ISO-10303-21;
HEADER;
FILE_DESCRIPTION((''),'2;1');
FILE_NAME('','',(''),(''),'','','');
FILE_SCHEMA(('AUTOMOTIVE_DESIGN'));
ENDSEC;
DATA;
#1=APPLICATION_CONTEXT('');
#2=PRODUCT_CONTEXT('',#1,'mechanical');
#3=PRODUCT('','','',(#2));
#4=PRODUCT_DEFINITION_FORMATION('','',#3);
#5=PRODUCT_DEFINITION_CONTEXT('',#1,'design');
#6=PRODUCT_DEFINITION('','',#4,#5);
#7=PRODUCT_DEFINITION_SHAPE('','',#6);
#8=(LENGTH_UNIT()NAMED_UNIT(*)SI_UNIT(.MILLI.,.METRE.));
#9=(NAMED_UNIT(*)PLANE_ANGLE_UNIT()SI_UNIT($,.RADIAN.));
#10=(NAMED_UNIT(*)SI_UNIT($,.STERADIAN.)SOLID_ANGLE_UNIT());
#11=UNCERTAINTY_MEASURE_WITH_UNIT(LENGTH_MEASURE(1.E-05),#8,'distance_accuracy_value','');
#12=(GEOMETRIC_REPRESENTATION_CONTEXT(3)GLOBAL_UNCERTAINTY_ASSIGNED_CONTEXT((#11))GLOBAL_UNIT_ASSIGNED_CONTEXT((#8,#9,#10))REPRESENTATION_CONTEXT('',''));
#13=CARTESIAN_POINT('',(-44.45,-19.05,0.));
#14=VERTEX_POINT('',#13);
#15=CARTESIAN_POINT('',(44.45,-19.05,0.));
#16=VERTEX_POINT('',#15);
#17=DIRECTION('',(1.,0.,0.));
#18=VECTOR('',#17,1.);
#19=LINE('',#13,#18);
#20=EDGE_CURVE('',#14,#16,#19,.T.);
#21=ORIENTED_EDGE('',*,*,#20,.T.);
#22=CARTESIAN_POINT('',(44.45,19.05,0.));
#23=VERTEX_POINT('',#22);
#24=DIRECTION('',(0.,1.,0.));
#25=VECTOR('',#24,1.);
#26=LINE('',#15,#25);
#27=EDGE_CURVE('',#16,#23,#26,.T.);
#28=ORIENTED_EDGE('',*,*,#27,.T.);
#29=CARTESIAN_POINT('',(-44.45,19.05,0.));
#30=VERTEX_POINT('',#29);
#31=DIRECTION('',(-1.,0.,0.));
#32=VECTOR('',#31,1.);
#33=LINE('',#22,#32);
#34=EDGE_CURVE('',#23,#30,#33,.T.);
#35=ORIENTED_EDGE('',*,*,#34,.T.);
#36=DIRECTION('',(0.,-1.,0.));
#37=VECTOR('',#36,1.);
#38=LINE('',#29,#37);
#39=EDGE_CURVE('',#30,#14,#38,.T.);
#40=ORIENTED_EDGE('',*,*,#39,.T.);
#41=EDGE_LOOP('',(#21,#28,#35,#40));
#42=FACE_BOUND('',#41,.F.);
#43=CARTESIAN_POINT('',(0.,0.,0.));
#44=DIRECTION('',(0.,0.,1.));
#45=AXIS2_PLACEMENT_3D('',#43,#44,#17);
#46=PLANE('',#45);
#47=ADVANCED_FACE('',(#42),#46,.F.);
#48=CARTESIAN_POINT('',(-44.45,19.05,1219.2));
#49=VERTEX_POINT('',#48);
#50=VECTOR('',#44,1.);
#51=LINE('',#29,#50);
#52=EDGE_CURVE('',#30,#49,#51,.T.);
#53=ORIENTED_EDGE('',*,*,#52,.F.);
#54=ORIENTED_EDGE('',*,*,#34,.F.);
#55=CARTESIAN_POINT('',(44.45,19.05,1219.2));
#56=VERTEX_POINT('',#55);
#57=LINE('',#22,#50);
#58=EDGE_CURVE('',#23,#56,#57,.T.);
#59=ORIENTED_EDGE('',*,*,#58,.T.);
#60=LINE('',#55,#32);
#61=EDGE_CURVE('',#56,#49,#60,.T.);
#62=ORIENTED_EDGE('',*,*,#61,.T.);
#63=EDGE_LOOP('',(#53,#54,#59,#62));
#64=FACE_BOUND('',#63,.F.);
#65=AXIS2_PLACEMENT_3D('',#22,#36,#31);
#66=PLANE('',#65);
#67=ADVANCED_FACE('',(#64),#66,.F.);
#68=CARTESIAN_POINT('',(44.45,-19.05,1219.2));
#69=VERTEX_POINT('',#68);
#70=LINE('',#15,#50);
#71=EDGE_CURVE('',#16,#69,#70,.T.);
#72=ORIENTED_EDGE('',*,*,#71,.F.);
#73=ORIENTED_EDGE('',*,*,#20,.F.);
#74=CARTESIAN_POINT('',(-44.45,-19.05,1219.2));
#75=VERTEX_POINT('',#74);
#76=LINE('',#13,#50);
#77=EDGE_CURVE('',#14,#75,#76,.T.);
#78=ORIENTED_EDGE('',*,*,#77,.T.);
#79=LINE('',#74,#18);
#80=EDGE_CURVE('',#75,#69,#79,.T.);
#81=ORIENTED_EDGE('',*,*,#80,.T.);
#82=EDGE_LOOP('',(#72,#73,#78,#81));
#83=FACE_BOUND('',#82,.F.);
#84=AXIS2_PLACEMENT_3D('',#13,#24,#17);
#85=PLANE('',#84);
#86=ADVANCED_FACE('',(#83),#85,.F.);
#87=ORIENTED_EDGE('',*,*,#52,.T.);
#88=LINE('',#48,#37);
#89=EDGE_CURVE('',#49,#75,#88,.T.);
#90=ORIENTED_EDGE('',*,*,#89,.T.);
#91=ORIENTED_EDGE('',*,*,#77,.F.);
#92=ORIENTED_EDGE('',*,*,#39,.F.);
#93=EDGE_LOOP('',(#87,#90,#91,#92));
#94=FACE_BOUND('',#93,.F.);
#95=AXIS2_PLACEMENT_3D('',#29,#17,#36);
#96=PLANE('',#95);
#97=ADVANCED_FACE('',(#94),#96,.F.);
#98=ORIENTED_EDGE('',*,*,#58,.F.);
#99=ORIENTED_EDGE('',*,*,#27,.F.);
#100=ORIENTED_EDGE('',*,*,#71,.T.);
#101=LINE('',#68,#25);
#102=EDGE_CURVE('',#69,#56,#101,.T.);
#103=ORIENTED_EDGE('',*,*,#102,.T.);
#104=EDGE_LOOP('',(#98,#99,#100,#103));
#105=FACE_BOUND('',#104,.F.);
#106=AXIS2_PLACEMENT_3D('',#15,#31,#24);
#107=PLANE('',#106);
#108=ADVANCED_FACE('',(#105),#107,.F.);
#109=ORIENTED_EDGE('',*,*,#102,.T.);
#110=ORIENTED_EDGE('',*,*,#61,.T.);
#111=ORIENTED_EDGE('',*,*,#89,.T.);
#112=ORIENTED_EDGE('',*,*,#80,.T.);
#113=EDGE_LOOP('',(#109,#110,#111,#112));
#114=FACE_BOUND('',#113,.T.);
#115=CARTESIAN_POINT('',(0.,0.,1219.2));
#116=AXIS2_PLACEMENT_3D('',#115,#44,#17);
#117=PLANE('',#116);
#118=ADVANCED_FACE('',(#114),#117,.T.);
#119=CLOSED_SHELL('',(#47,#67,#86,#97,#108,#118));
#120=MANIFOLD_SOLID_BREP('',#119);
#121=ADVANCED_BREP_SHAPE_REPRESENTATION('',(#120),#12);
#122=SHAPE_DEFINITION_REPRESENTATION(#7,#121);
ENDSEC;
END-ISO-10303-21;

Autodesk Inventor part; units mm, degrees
ref_plane "YZ Plane" through (0, 0, 0) normal (1, 0, 0) x (0, 1, 0)
ref_plane "XZ Plane" through (0, 0, 0) normal (0, 1, 0) x (-1, 0, 0)
ref_plane "XY Plane" through (0, 0, 0) normal (0, 0, 1) x (1, 0, 0)
sketch "Sketch1" plane through (0, 0, 0) normal (0, 0, 1) x (1, 0, 0)
  line L0 (-44.45, -19.05) -> (44.45, -19.05)
  line L1 (44.45, -19.05) -> (44.45, 19.05)
  line L2 (44.45, 19.05) -> (-44.45, 19.05)
  line L3 (-44.45, 19.05) -> (-44.45, -19.05)
  line L4 (-44.45, -19.05) -> (44.45, 19.05) construction
  line L5 (44.45, -19.05) -> (-44.45, 19.05) construction
  point P0 (0, 0)
  dimension "d0" = 88.9
  dimension "d1" = 38.1
extrude "Extrusion1" add sketch "Sketch1" along normal blind 1219.2
properties part number "2x4x48"
